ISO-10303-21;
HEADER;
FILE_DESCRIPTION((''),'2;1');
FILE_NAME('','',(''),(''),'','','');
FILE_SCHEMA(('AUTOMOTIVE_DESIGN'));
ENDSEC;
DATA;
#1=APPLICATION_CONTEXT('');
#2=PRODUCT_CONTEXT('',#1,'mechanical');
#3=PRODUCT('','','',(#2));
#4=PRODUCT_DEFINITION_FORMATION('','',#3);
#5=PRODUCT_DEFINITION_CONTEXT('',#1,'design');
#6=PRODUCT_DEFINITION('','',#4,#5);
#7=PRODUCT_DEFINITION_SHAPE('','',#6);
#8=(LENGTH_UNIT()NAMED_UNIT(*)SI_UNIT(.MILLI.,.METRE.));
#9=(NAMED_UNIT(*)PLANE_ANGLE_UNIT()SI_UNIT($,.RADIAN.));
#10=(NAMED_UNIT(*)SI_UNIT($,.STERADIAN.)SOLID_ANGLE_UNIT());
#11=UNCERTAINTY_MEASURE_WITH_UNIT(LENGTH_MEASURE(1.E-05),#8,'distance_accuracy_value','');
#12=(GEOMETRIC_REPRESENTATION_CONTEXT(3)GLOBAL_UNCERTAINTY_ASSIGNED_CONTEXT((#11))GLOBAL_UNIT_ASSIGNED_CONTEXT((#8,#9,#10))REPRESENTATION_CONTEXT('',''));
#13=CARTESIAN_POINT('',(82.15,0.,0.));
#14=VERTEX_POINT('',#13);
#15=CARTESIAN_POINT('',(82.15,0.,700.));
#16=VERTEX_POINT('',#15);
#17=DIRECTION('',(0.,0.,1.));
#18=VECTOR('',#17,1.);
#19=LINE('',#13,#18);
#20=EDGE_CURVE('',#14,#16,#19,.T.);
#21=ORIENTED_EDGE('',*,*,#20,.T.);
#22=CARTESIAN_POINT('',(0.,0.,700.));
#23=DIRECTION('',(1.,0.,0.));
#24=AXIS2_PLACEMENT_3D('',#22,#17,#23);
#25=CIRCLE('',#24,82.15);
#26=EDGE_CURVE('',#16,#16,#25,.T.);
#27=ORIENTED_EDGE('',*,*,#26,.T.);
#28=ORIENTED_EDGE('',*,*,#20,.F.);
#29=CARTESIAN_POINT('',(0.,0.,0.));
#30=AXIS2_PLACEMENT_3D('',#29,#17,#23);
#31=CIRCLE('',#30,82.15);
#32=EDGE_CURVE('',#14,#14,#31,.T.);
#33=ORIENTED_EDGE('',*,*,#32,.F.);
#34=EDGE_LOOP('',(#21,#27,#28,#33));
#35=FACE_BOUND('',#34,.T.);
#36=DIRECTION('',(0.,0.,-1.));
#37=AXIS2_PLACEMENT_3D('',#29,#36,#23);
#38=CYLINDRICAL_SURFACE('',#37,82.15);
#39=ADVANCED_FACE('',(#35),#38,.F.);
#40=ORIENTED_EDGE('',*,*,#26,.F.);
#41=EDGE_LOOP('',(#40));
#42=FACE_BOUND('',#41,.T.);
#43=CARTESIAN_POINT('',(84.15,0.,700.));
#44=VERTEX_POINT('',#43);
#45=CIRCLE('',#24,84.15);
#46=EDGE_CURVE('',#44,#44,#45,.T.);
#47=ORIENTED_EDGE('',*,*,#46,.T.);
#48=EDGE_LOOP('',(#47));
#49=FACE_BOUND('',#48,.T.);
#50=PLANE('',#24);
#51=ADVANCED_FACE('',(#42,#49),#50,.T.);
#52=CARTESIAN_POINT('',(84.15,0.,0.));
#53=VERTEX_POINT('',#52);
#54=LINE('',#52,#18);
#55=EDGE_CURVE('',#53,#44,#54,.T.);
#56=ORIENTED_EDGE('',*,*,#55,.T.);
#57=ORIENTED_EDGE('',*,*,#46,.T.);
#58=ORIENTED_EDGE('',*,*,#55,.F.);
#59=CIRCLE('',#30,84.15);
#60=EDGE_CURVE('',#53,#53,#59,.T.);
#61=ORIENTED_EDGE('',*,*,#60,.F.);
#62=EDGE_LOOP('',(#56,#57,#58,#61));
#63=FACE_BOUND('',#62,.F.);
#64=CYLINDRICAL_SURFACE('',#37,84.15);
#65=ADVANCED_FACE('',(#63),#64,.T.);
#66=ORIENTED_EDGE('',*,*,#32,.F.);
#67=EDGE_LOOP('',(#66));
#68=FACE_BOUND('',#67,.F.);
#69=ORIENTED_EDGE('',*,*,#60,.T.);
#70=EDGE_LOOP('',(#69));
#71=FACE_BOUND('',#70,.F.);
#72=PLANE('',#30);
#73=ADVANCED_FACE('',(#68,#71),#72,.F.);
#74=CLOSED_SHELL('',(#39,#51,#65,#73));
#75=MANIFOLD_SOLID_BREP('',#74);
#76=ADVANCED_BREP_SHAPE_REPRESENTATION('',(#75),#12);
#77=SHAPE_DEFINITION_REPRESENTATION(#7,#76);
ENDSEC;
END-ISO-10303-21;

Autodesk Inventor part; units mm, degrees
ref_plane "YZ Plane" through (0, 0, 0) normal (1, 0, 0) x (0, 1, 0)
ref_plane "Start plane" through (0, 0, 0) normal (0, 0, 1) x (1, 0, 0)
ref_plane "End plane" through (0, 0, 700) normal (0, 0, 1) x (1, 0, 0)
sketch "Sketch" plane through (0, 0, 0) normal (0, 0, 1) x (1, 0, 0)
  circle A0 centre (0, 0) radius 82.15
  circle A1 centre (0, 0) radius 84.15
  dimension "d0" = 168.3
  dimension "d1" = 2
extrude "Body" add sketch "Sketch" along normal up to surface (700 mm away) from surface at 0
sketch "Sketch3" plane through (0, 0, 0) normal (0, 0, 1) x (1, 0, 0)
  line L0 (0, 0) -> (10, 0)
ref_plane "Work Plane3" through (0, 0, 0) normal (0, -1, 0) x (1, 0, 0)
sketch "Sketch4" plane through (0, 0, 0) normal (0, -1, 0) x (1, 0, 0)
  line L0 (-2, 0) -> (12, 0) projected
  line L1 (-2, 700) -> (12, 700) projected
  dimension "d7" = 700
equation "\"d0\" = G_H"
equation "\"d1\" = G_T"
equation "\"d2\" = G_L"
equation "\"G_H\" = 168.3"
equation "\"G_T\" = 2"
equation "\"G_L\" = d7"
equation "\"G_OFFSET_START\" = 0"
equation "\"G_OFFSET_END\" = 0"
properties part number "UNI EN ISO 1127-1 - 168.3 x 2 - 700" material "Stainless Steel"
